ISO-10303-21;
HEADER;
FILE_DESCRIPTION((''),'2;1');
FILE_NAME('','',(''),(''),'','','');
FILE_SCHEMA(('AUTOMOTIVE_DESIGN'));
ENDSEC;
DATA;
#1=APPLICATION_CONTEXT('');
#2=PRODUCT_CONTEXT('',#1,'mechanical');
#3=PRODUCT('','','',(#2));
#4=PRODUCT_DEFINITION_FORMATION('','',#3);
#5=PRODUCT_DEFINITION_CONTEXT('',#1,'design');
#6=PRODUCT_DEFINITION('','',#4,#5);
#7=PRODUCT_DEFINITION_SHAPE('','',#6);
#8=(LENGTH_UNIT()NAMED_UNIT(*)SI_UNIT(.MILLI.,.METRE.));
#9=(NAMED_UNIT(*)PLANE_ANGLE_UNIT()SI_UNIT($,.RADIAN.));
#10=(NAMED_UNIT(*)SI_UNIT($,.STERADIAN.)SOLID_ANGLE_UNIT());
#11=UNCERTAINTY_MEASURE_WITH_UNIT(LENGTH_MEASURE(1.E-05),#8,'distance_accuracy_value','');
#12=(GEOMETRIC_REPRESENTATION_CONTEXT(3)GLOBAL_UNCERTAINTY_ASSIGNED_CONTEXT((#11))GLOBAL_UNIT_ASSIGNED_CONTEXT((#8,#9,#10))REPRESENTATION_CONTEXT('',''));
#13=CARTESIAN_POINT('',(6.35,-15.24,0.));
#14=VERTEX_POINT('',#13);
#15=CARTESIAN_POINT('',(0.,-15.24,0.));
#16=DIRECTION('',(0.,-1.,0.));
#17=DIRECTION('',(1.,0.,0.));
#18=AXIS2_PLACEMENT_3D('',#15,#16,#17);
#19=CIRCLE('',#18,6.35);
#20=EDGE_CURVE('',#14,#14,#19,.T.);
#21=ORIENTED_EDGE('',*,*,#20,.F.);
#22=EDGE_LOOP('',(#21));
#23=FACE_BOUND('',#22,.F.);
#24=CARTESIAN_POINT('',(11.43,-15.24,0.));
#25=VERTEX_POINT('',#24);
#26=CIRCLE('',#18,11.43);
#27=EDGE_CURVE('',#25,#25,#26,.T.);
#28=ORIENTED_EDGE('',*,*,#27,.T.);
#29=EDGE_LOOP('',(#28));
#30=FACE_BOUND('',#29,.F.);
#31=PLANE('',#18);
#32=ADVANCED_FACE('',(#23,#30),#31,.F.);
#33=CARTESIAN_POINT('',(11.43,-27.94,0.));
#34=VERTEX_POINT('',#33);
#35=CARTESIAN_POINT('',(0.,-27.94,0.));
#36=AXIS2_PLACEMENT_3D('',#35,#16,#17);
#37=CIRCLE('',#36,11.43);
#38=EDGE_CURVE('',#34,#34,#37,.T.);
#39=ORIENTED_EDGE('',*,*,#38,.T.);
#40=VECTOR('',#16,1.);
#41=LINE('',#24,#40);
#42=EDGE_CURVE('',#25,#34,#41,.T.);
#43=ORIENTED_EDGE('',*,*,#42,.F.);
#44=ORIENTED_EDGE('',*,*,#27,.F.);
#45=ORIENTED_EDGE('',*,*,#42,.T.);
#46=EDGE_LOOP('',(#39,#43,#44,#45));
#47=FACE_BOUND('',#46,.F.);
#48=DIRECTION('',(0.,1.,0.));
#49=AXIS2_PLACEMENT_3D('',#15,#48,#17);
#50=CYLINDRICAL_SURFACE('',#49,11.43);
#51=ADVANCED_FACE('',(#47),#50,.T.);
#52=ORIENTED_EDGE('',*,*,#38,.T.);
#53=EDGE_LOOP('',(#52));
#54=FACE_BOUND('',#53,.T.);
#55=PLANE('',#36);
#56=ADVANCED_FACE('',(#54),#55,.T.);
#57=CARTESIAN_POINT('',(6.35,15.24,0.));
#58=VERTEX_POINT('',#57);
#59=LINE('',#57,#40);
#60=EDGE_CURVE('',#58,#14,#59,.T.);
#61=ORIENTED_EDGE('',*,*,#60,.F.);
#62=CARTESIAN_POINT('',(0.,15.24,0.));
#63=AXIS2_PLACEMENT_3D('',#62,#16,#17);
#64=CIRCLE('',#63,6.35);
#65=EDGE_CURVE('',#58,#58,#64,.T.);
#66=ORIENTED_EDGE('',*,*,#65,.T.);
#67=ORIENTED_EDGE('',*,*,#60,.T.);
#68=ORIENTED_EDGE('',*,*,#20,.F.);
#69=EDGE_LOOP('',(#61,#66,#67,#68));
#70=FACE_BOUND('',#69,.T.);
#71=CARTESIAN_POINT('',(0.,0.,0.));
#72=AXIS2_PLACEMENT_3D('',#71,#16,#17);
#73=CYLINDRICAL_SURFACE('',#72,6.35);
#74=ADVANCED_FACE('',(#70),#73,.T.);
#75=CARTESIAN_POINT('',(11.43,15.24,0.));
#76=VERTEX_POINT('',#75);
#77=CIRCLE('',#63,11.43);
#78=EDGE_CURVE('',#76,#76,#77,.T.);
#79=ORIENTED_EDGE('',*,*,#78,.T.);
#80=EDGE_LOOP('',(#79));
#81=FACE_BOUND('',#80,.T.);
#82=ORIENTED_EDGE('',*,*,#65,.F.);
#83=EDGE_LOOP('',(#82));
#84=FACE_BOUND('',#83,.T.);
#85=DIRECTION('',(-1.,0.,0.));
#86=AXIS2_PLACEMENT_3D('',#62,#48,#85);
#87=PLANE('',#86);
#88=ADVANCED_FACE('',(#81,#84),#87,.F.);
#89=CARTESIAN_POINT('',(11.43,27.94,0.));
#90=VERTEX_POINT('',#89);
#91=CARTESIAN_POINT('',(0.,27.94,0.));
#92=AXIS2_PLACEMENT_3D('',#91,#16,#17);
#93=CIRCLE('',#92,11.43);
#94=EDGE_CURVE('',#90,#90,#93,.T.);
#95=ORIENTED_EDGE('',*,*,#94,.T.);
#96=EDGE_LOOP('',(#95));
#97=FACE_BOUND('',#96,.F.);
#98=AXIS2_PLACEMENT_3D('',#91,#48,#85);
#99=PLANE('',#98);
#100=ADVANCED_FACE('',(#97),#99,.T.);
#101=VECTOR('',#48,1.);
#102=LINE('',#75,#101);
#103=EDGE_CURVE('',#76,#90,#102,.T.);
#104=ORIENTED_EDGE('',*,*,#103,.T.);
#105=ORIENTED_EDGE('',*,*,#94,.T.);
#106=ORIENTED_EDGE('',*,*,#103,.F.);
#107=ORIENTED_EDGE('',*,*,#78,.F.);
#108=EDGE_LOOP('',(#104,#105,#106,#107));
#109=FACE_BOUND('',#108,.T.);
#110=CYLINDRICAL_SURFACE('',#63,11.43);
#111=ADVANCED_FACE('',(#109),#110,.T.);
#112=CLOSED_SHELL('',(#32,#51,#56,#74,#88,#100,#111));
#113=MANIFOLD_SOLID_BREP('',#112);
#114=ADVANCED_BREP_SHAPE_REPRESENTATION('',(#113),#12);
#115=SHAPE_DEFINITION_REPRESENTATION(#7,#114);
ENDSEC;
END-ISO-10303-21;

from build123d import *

# Parameters (mm, degrees)
F0_R     = 6.35
F1_DEPTH = 15.24
F2_R     = 11.43
F2_R_2   = 6.35
F3_DEPTH = 12.7


with BuildPart() as f1:
    # F0 (on Front) → F1 (new body)
    with BuildSketch(Plane.XZ):
        Circle(F0_R)
    extrude(amount=F1_DEPTH)

    # F2 (on face) → F3 (join)
    with BuildSketch(Plane.XZ.offset(15.24)):
        Circle(F2_R)
        Circle(F2_R_2, mode=Mode.SUBTRACT)
        Circle(F2_R_2)
    extrude(amount=F3_DEPTH)

    # F4: F1 across plane


with BuildPart() as f1_1:
    add(f1.part)
    add(f1.part.mirror(Plane.XZ))


solid = f1_1.part
